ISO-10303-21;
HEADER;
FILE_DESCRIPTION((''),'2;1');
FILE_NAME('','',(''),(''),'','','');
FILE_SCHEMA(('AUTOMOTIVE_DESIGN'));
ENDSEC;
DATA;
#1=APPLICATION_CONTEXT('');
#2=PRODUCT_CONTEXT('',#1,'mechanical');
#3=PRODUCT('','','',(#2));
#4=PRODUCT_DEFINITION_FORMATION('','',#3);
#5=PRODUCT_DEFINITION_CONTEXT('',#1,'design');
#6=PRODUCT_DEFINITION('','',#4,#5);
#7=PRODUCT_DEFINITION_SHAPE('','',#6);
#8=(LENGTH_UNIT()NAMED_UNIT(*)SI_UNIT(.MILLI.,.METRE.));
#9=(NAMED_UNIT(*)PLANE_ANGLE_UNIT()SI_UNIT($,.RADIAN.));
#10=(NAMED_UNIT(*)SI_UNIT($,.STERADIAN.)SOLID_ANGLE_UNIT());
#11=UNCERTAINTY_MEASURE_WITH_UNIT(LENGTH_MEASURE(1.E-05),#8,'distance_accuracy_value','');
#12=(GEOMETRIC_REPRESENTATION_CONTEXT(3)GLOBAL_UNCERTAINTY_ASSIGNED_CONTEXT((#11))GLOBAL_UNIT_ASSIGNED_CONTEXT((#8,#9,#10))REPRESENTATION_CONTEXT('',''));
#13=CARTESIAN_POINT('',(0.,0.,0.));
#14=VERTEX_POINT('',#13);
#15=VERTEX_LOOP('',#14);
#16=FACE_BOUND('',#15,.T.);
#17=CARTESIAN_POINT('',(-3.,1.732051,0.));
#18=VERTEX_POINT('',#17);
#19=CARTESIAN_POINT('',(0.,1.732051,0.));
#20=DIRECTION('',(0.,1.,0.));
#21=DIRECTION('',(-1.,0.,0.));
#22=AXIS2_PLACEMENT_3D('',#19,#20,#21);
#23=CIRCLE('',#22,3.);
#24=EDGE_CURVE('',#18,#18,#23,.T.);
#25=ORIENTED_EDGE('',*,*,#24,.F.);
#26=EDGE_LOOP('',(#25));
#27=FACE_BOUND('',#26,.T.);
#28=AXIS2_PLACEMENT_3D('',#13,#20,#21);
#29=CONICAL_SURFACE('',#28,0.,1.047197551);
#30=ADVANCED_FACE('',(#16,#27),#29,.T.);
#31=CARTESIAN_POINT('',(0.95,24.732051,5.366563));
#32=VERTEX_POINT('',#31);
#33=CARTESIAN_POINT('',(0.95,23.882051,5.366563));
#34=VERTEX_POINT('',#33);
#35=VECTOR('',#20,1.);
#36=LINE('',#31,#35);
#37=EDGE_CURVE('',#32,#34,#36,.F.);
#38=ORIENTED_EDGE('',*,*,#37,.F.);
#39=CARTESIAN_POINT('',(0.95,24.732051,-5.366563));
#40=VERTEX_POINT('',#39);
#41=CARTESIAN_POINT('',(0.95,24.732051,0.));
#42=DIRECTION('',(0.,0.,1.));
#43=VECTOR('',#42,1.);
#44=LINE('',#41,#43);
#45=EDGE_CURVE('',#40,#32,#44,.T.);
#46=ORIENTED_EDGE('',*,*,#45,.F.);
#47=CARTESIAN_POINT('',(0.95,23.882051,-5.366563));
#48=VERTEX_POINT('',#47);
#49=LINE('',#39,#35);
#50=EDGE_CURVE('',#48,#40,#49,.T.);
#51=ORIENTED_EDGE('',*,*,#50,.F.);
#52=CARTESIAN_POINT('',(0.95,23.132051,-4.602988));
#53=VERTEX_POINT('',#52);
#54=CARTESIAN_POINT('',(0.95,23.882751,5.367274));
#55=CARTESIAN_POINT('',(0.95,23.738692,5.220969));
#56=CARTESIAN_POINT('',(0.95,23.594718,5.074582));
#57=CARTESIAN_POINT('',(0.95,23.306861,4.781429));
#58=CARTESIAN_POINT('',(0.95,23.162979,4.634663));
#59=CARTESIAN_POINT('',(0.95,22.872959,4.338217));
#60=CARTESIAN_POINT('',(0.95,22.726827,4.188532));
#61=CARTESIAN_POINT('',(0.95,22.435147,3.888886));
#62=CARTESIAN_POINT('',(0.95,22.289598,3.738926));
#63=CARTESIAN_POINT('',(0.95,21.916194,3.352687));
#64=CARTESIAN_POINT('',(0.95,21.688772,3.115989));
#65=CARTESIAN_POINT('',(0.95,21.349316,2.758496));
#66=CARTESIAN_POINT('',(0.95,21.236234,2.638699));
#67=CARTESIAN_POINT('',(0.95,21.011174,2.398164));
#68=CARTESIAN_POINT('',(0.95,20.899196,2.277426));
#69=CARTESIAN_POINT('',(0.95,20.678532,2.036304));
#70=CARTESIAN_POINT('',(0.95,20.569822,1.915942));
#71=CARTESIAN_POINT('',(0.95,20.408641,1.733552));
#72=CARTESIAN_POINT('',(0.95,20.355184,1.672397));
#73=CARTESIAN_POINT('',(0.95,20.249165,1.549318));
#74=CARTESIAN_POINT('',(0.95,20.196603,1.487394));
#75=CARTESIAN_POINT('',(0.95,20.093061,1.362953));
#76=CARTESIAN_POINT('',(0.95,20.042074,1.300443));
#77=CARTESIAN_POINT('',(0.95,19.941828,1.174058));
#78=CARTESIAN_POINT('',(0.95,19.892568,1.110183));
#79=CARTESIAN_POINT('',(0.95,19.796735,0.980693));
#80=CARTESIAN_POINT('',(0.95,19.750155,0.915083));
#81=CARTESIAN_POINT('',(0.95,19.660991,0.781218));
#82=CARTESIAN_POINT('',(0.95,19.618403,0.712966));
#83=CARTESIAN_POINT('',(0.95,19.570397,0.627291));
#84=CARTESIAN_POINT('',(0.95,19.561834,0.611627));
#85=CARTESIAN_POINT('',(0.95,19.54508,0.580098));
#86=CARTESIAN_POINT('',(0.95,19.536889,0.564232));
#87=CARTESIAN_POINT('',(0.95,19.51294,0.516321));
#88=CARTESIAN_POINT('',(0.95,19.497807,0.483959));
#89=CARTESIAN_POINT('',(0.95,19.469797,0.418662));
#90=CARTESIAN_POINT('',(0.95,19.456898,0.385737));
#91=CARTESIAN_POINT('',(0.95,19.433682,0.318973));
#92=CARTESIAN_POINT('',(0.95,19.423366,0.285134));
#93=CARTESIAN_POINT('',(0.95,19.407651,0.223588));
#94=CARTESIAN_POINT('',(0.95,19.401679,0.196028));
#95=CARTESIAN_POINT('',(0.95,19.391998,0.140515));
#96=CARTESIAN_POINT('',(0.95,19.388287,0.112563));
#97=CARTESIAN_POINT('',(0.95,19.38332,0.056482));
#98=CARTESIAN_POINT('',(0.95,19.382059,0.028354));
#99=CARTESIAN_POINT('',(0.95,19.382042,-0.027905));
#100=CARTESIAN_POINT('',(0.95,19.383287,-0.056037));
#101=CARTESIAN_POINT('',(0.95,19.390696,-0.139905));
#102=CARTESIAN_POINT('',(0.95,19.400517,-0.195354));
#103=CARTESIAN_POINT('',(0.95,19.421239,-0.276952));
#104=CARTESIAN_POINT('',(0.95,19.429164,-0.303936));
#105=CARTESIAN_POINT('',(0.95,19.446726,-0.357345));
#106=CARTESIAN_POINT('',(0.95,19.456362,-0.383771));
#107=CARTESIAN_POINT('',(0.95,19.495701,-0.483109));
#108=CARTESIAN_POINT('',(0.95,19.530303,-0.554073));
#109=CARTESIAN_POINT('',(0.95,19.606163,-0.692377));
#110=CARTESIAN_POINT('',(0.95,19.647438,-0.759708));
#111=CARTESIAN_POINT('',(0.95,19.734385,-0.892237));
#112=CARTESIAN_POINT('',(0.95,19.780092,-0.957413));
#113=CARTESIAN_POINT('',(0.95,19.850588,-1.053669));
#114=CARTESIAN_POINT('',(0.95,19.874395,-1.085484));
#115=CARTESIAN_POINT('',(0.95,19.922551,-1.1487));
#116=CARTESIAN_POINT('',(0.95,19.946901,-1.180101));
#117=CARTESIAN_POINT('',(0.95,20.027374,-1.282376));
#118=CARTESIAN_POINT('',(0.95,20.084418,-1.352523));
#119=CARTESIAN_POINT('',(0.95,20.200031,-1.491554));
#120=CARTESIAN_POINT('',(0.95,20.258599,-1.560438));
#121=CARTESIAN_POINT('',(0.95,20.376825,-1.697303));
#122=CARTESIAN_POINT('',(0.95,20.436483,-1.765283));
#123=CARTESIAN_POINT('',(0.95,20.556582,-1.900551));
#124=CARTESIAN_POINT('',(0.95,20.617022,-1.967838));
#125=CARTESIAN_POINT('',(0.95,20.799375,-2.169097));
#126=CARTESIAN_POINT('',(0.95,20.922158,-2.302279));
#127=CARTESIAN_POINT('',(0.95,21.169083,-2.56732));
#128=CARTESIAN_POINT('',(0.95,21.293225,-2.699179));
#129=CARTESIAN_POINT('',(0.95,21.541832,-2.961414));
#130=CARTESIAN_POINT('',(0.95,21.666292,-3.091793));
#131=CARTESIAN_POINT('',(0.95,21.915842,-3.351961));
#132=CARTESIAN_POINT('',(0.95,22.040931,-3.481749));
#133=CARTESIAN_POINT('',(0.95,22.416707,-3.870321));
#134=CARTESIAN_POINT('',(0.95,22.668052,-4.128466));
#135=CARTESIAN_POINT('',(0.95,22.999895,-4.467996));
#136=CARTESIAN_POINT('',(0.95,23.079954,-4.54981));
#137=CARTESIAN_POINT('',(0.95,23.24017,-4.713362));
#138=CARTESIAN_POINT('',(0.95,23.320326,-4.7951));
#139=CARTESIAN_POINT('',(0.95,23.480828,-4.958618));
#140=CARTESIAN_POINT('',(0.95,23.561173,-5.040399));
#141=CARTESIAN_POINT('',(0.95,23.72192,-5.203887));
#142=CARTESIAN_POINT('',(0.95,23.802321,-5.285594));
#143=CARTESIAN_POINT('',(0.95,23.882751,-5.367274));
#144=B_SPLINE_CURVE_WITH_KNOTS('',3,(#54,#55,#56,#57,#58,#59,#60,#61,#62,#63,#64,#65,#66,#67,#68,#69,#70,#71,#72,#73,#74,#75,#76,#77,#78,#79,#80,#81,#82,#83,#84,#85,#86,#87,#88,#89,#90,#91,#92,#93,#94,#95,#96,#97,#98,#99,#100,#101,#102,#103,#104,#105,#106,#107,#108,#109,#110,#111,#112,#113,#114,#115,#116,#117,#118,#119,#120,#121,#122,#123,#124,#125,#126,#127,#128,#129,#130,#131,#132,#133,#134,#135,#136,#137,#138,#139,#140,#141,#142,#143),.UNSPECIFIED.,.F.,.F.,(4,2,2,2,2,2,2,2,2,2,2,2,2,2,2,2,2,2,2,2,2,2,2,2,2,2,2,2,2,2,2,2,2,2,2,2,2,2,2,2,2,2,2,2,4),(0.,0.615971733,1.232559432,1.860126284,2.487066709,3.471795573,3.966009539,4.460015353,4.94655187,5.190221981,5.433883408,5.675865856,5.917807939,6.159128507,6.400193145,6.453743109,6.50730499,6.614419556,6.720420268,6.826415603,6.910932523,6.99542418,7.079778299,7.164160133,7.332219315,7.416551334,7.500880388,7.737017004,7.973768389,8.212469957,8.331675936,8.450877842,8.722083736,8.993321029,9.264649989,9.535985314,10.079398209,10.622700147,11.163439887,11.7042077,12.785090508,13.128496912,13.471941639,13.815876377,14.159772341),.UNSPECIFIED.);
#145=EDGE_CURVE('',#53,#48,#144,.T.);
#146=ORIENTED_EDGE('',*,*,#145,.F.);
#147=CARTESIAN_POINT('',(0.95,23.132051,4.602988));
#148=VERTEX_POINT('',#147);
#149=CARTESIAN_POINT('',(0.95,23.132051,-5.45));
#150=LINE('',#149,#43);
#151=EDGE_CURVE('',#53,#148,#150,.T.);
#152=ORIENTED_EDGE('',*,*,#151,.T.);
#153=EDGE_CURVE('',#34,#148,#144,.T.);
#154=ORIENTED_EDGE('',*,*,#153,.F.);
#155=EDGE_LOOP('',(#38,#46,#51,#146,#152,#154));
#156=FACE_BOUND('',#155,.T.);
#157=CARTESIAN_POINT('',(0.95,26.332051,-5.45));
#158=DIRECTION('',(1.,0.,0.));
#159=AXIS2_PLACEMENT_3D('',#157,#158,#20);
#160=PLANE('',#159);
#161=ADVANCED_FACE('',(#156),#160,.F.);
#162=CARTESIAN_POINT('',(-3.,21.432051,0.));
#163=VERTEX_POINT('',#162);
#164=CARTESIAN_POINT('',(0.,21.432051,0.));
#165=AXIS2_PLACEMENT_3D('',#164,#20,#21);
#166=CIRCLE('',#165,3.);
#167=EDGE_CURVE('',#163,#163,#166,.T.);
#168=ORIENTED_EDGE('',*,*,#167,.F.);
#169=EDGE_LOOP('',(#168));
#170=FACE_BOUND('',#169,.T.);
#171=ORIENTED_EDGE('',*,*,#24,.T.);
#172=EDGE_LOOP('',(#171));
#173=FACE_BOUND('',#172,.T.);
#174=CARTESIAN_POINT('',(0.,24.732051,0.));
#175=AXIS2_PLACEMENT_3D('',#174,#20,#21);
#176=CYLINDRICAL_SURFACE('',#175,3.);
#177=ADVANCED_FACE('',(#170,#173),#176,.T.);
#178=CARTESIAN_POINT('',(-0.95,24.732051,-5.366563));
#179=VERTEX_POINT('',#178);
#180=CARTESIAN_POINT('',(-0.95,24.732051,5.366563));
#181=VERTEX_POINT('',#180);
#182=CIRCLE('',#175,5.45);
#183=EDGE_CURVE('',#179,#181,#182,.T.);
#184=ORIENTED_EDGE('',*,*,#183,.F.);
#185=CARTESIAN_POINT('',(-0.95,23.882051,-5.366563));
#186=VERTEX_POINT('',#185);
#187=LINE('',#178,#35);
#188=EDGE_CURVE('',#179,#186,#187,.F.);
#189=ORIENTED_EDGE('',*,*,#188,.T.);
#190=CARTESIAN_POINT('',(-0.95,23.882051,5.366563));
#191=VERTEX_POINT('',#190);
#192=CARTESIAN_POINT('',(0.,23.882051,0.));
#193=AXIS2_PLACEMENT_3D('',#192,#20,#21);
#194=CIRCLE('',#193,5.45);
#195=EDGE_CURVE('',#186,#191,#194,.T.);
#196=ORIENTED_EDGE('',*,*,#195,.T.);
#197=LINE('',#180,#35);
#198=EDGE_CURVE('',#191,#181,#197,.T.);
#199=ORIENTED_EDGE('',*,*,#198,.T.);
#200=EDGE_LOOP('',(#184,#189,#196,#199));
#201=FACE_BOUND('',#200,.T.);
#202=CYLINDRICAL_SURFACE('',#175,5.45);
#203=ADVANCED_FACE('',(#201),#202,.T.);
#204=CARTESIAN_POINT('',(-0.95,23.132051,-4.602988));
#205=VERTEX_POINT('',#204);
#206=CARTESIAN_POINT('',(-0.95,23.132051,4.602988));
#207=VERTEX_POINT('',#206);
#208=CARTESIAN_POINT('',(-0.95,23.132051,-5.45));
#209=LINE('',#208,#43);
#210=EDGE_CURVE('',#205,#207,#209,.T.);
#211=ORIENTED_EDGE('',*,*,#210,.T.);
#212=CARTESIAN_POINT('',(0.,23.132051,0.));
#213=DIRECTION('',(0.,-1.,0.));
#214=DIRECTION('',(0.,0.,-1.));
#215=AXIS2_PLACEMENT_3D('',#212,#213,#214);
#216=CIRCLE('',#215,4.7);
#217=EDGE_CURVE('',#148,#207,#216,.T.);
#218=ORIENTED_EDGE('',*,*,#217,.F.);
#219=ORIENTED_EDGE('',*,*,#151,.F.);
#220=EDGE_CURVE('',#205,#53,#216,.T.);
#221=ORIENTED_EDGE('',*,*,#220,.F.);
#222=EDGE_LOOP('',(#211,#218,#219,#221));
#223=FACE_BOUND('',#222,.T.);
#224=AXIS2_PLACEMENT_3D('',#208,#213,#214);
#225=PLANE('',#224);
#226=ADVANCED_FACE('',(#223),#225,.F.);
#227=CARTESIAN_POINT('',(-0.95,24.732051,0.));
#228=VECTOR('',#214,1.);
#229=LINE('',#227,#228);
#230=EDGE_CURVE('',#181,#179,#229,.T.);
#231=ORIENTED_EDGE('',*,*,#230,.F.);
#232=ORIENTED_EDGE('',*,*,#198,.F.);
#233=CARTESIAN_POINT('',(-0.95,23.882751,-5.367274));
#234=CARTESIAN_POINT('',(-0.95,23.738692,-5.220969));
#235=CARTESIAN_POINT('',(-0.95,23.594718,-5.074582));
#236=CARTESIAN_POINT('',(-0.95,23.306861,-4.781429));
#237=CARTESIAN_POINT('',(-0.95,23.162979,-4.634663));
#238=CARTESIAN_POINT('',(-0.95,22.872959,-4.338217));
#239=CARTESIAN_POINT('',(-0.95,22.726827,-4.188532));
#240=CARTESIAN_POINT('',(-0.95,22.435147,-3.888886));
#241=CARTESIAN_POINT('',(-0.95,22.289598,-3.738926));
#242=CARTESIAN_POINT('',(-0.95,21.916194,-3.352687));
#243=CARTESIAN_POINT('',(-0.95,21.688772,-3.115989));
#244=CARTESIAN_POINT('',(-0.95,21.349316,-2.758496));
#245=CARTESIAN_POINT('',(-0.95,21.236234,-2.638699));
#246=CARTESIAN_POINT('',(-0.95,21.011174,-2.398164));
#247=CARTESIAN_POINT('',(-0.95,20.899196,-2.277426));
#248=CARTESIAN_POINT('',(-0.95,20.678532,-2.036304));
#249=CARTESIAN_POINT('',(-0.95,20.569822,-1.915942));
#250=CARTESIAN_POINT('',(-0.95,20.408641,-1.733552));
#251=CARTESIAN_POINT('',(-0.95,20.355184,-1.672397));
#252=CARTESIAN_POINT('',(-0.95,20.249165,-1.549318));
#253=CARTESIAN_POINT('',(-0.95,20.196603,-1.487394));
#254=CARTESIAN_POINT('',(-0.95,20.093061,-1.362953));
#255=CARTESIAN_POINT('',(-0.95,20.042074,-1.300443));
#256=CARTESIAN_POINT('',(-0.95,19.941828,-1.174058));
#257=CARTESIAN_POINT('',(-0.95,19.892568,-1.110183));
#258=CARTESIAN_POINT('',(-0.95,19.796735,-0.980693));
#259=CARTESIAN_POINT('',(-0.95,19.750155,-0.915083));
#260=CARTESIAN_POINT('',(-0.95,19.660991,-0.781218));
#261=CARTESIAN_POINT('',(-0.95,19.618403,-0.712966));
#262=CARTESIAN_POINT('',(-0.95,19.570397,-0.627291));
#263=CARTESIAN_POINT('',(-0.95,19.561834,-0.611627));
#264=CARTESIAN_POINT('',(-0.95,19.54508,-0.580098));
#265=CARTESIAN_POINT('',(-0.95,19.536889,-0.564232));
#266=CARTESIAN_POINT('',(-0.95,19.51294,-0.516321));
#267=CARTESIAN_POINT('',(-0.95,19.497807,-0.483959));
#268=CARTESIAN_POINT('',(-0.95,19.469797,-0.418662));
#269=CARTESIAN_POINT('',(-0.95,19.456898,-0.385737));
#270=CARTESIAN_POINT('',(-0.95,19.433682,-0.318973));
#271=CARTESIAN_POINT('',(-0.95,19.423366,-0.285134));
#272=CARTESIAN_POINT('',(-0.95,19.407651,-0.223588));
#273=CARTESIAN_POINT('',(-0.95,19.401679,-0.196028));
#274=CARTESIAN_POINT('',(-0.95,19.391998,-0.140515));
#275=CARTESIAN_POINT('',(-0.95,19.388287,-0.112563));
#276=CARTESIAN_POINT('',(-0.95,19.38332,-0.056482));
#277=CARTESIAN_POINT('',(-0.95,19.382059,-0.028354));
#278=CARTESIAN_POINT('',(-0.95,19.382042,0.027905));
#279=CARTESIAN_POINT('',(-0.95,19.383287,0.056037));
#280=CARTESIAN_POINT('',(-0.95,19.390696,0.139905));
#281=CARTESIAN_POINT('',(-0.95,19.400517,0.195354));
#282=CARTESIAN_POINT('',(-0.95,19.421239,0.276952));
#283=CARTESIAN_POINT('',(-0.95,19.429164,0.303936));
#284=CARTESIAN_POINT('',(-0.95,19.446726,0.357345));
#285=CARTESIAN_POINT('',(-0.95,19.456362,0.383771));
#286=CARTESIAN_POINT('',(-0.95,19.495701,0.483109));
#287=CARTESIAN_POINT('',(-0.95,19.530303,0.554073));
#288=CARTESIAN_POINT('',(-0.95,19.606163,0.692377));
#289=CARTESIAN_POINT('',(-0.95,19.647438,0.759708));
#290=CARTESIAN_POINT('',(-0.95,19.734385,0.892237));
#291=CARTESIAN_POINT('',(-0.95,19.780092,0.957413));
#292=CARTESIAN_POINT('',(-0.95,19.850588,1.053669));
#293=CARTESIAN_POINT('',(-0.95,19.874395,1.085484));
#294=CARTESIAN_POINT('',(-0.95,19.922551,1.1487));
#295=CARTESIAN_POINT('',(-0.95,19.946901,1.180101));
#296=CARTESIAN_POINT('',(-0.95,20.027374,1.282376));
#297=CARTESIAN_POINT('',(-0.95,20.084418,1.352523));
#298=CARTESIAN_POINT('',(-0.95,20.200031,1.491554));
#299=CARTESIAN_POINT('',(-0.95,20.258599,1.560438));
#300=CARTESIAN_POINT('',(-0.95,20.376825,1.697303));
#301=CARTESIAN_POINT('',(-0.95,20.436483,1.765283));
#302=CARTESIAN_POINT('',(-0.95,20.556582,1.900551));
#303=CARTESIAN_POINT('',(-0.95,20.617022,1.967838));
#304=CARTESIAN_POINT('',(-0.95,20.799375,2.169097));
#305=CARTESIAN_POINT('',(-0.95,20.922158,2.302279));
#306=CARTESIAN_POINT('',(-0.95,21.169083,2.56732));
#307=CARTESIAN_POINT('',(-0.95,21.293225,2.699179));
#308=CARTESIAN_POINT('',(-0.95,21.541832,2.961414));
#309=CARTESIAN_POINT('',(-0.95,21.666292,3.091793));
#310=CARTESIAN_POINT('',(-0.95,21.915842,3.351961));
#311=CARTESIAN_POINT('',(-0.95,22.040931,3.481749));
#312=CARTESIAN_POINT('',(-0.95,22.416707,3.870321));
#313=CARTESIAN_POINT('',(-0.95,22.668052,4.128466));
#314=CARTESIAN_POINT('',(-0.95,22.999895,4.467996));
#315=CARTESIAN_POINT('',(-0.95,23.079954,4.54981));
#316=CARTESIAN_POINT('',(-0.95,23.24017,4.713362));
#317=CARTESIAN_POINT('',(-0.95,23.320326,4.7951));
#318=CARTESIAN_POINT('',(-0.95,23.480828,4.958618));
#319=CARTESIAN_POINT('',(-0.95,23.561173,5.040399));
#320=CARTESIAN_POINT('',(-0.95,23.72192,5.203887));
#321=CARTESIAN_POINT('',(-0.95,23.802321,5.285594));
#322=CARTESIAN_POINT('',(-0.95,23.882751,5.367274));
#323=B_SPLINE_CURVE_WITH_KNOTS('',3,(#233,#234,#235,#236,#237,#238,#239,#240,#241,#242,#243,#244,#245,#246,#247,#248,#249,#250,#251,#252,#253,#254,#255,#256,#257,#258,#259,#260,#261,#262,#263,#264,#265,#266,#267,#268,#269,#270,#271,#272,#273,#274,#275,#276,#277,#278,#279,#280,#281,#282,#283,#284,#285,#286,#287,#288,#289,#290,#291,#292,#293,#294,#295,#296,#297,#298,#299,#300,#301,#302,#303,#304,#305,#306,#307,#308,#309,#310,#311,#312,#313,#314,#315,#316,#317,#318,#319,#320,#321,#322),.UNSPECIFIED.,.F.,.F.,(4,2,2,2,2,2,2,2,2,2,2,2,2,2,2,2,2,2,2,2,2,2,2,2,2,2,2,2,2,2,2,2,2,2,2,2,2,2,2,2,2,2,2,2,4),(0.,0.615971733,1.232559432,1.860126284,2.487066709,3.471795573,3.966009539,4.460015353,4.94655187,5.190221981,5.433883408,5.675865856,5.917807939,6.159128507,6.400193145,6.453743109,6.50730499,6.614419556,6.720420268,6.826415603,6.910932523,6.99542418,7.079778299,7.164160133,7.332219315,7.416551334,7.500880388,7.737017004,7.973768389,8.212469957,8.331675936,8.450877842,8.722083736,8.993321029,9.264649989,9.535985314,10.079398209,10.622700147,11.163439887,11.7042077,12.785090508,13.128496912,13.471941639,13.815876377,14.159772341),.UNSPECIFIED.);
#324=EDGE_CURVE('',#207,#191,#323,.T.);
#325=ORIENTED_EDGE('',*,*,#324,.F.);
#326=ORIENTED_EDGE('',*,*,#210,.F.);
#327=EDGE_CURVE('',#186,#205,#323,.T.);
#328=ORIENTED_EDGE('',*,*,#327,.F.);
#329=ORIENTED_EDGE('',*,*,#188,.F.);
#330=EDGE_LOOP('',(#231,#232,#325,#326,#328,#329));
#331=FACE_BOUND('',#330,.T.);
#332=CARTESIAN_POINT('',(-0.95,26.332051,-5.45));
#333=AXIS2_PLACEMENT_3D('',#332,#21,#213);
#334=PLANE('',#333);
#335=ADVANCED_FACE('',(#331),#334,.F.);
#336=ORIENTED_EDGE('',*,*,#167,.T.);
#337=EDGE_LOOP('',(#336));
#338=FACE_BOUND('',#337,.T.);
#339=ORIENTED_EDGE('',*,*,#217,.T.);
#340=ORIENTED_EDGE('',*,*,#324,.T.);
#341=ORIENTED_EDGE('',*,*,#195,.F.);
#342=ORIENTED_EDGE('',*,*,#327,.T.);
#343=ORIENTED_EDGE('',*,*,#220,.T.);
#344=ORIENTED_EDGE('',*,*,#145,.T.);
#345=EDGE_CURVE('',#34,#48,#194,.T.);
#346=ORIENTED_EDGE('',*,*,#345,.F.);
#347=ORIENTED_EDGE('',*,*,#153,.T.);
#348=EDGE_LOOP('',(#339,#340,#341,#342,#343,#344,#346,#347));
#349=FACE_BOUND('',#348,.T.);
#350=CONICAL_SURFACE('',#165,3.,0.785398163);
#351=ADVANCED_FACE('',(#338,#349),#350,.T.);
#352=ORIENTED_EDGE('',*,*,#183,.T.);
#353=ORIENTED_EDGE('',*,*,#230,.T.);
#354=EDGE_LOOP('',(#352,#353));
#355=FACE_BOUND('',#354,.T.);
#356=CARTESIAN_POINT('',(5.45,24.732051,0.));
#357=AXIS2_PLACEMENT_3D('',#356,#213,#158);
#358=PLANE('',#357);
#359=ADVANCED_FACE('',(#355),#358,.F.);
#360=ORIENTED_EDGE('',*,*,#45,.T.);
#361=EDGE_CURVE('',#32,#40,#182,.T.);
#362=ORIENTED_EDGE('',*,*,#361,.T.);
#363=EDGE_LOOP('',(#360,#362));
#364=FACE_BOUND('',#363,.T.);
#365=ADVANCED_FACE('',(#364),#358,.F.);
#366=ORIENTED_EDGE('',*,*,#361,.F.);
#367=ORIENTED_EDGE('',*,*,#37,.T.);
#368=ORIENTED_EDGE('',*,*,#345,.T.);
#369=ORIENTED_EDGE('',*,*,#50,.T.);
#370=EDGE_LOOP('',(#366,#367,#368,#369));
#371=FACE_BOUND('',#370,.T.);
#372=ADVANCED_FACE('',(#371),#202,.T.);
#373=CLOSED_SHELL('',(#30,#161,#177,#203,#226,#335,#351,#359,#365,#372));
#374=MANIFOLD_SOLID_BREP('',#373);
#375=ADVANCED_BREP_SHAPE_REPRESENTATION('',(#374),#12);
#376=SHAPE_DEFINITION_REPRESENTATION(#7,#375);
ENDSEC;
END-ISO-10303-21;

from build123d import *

# Parameters (mm, degrees)
SKETCH2_W               = 1.9
SKETCH2_H               = 3.2
CUT_EXTRUDE1_DEPTH      = 6.45
CUT_EXTRUDE1_DEPTH_BACK = 6.45


with BuildPart() as part:
    # Sketch1 → Revolve1 (revolve)
    with BuildSketch(Plane.XY):
        Polygon((0, 0), (3, 1.732050808), (3, 21.432050808), (5.45, 23.882050808), (5.45, 24.732050808), (0, 24.732050808), align=None)
    revolve(axis=Axis((0, 24.732050808, 0), (0, -1, 0)))

    # Sketch2 → Cut-Extrude1 (cut, two sides)
    with BuildSketch(Plane.XY) as cut_extrude1_sk:
        with Locations((0, 24.732050808)):
            Rectangle(SKETCH2_W, SKETCH2_H)
    extrude(amount=CUT_EXTRUDE1_DEPTH, mode=Mode.SUBTRACT)
    extrude(cut_extrude1_sk.sketch, amount=-CUT_EXTRUDE1_DEPTH_BACK, mode=Mode.SUBTRACT)


solid = part.part
